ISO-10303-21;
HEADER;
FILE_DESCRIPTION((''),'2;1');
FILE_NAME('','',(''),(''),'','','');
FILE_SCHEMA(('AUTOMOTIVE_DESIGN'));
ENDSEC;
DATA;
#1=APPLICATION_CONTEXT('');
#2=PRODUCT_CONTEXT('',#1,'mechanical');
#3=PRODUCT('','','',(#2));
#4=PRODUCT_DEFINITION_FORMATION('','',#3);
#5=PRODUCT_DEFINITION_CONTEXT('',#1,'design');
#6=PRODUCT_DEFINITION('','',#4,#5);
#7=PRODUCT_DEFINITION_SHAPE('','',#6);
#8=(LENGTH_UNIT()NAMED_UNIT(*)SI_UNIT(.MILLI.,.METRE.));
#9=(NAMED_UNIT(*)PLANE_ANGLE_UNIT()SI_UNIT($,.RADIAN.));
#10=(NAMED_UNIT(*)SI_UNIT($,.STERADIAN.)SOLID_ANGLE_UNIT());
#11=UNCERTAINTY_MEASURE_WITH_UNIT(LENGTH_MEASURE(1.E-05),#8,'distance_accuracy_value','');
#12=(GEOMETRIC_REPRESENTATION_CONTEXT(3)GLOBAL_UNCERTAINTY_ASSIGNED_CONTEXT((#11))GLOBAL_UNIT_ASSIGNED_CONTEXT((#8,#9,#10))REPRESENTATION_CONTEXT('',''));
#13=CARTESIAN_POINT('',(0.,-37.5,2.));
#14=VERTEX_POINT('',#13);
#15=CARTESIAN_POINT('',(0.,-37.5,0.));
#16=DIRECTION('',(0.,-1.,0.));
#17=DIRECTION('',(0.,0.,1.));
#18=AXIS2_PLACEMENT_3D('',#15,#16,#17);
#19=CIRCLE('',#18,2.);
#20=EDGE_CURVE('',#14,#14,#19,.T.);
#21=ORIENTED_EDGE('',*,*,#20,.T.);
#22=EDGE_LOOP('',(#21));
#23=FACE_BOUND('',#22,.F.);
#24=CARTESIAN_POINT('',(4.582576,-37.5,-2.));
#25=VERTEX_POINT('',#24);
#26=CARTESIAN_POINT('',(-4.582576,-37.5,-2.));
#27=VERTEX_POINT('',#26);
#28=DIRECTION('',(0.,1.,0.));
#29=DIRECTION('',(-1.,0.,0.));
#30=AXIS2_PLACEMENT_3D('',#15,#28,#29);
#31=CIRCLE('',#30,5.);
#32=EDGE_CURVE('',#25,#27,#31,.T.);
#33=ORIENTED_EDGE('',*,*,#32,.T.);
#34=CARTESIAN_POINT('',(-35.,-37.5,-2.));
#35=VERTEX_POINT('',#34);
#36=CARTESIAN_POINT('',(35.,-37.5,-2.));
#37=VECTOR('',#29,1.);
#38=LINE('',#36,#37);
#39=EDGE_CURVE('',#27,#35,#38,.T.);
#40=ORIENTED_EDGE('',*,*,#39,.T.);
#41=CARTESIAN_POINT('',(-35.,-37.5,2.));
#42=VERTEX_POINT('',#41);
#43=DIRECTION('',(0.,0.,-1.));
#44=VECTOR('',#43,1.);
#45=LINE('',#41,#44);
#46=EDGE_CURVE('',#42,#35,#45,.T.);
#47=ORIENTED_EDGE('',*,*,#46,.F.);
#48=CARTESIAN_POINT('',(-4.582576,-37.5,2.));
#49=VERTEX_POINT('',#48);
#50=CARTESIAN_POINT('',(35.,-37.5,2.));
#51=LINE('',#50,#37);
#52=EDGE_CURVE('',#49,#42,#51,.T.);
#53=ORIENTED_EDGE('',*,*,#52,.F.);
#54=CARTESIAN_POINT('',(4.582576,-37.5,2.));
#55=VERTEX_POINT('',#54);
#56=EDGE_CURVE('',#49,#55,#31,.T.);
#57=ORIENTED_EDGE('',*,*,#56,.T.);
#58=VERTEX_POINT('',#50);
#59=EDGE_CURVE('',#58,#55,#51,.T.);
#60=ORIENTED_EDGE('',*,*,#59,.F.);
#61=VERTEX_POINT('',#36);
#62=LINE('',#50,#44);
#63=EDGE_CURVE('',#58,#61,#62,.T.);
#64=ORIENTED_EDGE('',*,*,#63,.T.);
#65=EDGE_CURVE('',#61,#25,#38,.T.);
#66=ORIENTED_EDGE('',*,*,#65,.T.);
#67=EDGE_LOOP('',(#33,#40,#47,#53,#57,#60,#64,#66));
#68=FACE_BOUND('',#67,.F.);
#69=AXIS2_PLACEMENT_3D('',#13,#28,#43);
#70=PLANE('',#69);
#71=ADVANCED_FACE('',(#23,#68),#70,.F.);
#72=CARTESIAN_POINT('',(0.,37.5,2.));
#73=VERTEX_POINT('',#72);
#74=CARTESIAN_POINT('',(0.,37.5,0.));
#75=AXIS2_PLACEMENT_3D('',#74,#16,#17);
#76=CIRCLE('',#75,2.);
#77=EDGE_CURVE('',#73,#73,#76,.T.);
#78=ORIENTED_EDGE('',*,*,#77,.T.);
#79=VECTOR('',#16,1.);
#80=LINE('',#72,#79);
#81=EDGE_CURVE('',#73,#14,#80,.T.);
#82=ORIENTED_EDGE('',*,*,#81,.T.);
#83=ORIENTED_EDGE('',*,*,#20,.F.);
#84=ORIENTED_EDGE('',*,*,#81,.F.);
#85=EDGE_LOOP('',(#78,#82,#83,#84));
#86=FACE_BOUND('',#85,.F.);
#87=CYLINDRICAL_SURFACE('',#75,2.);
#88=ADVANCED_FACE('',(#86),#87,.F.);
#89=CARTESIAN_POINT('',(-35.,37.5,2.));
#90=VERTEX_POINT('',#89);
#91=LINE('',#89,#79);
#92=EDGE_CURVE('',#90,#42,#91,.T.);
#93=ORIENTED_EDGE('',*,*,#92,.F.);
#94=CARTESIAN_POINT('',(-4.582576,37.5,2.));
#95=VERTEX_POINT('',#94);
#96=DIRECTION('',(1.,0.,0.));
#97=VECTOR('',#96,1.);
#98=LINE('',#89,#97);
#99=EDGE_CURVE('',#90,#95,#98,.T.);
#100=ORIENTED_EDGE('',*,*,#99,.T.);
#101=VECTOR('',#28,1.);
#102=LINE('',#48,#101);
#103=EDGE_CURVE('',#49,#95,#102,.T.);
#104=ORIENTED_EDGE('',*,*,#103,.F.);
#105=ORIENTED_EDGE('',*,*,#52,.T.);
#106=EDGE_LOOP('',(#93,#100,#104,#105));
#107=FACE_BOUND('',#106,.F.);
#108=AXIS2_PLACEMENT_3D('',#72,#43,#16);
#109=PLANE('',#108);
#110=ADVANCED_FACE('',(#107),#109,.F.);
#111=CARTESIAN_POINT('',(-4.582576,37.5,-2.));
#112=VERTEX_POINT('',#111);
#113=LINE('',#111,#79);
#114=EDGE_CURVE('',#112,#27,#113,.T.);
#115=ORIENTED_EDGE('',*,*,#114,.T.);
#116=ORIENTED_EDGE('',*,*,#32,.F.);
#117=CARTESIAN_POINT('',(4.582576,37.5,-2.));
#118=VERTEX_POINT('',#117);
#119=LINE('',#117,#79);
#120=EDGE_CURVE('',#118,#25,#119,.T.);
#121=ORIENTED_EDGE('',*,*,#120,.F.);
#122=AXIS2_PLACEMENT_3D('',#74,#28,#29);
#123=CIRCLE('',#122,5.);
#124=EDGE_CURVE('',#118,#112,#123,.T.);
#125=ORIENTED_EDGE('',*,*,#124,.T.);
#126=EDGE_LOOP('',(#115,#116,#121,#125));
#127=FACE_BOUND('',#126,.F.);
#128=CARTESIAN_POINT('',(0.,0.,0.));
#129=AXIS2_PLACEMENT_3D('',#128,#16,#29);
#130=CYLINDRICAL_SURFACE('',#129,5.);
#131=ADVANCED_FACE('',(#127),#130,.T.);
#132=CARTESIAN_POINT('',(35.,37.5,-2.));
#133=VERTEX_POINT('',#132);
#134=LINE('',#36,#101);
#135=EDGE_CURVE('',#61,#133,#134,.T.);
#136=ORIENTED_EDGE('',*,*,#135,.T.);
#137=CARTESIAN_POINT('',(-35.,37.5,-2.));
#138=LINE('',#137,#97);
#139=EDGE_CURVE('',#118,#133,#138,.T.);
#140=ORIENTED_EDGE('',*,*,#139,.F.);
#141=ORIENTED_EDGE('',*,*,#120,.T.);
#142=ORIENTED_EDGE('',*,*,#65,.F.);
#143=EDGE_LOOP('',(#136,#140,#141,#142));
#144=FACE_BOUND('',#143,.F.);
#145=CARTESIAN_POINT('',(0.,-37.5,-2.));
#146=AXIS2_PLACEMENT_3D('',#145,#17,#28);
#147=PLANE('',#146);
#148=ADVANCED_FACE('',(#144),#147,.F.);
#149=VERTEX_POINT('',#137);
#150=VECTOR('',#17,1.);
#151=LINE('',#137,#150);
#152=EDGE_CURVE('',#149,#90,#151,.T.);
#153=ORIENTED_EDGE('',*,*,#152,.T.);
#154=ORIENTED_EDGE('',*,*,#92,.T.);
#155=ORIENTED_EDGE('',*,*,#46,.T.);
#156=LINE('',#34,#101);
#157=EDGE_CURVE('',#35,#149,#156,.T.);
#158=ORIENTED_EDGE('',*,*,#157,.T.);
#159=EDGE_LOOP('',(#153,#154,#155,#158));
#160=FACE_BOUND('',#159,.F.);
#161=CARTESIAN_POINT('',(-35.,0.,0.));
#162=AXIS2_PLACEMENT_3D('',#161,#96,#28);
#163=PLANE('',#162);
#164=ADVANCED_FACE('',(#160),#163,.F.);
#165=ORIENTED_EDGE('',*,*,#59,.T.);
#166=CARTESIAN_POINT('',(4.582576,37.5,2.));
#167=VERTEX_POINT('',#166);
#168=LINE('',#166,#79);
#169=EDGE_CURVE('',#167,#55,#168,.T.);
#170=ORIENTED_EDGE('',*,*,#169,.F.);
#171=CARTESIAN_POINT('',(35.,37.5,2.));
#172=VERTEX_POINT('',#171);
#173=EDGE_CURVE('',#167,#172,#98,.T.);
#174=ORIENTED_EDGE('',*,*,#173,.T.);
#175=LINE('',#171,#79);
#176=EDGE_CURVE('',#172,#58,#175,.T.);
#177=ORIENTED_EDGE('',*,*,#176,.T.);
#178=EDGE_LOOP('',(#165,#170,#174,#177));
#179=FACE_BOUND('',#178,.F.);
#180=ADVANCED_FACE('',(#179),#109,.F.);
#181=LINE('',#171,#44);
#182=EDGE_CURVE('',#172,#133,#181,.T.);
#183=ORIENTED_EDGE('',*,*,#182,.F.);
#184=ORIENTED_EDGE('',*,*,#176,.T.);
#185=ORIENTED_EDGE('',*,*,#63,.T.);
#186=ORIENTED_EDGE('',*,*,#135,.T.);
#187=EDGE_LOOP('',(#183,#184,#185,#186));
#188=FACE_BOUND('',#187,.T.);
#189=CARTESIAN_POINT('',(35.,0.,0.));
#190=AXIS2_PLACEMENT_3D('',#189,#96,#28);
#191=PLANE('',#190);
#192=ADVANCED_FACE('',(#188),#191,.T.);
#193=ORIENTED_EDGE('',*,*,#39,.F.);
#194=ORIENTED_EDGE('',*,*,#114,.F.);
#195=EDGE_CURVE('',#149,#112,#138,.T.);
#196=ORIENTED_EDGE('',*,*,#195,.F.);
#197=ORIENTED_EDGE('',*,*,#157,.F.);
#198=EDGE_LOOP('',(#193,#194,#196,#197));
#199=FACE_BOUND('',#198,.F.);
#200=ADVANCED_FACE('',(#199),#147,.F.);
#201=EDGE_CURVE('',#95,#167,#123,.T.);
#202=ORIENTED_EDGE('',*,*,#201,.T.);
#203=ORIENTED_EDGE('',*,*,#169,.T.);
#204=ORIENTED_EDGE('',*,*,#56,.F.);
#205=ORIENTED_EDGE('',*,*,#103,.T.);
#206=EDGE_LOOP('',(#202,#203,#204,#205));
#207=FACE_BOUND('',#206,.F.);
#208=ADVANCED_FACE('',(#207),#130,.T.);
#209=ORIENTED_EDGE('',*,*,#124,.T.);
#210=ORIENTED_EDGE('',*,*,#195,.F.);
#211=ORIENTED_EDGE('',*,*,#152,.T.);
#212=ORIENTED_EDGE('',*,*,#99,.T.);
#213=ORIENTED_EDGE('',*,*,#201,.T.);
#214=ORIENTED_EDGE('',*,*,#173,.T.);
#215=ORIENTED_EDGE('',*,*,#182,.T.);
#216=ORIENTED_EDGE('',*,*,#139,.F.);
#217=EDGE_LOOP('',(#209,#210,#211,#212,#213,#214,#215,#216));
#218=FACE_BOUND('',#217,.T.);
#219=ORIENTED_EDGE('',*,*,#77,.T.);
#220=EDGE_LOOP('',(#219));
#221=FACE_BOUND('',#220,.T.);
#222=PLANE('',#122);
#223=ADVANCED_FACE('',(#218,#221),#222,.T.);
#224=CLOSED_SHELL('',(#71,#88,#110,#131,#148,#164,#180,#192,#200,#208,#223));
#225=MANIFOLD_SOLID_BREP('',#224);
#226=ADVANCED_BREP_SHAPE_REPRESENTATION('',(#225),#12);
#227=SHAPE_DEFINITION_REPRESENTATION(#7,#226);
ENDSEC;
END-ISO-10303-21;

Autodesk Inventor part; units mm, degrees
ref_plane "YZ Plane" through (0, 0, 0) normal (1, 0, 0) x (0, 1, 0)
ref_plane "XZ Plane" through (0, 0, 0) normal (0, 1, 0) x (-1, 0, 0)
ref_plane "XY Plane" through (0, 0, 0) normal (0, 0, 1) x (1, 0, 0)
sketch "Sketch1" plane through (0, 0, 0) normal (0, 1, 0) x (-1, 0, 0)
  circle A0 centre (0, 0) radius 5
  dimension "d0" = 10
extrude "Extrusion1" add sketch "Sketch1" along normal mid plane 75
sketch "Sketch2" plane through (0, 0, 0) normal (1, 0, 0) x (0, 1, 0)
  line L0 (37.5, -5) -> (37.5, 5) projected
  line L1 (37.5, 0) -> (37.5, 2)
  line L2 (37.5, 2) -> (37.5, -2)
  line L3 (37.5, 2) -> (-37.5, 2)
  line L4 (-37.5, 2) -> (-37.5, -2)
  line L5 (-37.5, -2) -> (37.5, -2)
  line L6 (37.5, -2) -> (37.5, 2)
  point P0 (0, 0)
  dimension "d4" = 4
  dimension "d5" = 75
sketch "Sketch3" plane through (0, 0, 0) normal (1, 0, 0) x (0, 1, 0)
  point P0 (0, 0)
extrude "Extrusion2" add sketch "Sketch2" along normal mid plane 70
sketch "Sketch4" plane through (0, 37.5, 0) normal (0, 1, 0) x (1, 0, 0)
  point P0 (0, 0)
hole "Hole1" at (0, 37.5, 0) direction (0, -1, 0) diameter 4 depth 120
properties part number "doughvpush"
